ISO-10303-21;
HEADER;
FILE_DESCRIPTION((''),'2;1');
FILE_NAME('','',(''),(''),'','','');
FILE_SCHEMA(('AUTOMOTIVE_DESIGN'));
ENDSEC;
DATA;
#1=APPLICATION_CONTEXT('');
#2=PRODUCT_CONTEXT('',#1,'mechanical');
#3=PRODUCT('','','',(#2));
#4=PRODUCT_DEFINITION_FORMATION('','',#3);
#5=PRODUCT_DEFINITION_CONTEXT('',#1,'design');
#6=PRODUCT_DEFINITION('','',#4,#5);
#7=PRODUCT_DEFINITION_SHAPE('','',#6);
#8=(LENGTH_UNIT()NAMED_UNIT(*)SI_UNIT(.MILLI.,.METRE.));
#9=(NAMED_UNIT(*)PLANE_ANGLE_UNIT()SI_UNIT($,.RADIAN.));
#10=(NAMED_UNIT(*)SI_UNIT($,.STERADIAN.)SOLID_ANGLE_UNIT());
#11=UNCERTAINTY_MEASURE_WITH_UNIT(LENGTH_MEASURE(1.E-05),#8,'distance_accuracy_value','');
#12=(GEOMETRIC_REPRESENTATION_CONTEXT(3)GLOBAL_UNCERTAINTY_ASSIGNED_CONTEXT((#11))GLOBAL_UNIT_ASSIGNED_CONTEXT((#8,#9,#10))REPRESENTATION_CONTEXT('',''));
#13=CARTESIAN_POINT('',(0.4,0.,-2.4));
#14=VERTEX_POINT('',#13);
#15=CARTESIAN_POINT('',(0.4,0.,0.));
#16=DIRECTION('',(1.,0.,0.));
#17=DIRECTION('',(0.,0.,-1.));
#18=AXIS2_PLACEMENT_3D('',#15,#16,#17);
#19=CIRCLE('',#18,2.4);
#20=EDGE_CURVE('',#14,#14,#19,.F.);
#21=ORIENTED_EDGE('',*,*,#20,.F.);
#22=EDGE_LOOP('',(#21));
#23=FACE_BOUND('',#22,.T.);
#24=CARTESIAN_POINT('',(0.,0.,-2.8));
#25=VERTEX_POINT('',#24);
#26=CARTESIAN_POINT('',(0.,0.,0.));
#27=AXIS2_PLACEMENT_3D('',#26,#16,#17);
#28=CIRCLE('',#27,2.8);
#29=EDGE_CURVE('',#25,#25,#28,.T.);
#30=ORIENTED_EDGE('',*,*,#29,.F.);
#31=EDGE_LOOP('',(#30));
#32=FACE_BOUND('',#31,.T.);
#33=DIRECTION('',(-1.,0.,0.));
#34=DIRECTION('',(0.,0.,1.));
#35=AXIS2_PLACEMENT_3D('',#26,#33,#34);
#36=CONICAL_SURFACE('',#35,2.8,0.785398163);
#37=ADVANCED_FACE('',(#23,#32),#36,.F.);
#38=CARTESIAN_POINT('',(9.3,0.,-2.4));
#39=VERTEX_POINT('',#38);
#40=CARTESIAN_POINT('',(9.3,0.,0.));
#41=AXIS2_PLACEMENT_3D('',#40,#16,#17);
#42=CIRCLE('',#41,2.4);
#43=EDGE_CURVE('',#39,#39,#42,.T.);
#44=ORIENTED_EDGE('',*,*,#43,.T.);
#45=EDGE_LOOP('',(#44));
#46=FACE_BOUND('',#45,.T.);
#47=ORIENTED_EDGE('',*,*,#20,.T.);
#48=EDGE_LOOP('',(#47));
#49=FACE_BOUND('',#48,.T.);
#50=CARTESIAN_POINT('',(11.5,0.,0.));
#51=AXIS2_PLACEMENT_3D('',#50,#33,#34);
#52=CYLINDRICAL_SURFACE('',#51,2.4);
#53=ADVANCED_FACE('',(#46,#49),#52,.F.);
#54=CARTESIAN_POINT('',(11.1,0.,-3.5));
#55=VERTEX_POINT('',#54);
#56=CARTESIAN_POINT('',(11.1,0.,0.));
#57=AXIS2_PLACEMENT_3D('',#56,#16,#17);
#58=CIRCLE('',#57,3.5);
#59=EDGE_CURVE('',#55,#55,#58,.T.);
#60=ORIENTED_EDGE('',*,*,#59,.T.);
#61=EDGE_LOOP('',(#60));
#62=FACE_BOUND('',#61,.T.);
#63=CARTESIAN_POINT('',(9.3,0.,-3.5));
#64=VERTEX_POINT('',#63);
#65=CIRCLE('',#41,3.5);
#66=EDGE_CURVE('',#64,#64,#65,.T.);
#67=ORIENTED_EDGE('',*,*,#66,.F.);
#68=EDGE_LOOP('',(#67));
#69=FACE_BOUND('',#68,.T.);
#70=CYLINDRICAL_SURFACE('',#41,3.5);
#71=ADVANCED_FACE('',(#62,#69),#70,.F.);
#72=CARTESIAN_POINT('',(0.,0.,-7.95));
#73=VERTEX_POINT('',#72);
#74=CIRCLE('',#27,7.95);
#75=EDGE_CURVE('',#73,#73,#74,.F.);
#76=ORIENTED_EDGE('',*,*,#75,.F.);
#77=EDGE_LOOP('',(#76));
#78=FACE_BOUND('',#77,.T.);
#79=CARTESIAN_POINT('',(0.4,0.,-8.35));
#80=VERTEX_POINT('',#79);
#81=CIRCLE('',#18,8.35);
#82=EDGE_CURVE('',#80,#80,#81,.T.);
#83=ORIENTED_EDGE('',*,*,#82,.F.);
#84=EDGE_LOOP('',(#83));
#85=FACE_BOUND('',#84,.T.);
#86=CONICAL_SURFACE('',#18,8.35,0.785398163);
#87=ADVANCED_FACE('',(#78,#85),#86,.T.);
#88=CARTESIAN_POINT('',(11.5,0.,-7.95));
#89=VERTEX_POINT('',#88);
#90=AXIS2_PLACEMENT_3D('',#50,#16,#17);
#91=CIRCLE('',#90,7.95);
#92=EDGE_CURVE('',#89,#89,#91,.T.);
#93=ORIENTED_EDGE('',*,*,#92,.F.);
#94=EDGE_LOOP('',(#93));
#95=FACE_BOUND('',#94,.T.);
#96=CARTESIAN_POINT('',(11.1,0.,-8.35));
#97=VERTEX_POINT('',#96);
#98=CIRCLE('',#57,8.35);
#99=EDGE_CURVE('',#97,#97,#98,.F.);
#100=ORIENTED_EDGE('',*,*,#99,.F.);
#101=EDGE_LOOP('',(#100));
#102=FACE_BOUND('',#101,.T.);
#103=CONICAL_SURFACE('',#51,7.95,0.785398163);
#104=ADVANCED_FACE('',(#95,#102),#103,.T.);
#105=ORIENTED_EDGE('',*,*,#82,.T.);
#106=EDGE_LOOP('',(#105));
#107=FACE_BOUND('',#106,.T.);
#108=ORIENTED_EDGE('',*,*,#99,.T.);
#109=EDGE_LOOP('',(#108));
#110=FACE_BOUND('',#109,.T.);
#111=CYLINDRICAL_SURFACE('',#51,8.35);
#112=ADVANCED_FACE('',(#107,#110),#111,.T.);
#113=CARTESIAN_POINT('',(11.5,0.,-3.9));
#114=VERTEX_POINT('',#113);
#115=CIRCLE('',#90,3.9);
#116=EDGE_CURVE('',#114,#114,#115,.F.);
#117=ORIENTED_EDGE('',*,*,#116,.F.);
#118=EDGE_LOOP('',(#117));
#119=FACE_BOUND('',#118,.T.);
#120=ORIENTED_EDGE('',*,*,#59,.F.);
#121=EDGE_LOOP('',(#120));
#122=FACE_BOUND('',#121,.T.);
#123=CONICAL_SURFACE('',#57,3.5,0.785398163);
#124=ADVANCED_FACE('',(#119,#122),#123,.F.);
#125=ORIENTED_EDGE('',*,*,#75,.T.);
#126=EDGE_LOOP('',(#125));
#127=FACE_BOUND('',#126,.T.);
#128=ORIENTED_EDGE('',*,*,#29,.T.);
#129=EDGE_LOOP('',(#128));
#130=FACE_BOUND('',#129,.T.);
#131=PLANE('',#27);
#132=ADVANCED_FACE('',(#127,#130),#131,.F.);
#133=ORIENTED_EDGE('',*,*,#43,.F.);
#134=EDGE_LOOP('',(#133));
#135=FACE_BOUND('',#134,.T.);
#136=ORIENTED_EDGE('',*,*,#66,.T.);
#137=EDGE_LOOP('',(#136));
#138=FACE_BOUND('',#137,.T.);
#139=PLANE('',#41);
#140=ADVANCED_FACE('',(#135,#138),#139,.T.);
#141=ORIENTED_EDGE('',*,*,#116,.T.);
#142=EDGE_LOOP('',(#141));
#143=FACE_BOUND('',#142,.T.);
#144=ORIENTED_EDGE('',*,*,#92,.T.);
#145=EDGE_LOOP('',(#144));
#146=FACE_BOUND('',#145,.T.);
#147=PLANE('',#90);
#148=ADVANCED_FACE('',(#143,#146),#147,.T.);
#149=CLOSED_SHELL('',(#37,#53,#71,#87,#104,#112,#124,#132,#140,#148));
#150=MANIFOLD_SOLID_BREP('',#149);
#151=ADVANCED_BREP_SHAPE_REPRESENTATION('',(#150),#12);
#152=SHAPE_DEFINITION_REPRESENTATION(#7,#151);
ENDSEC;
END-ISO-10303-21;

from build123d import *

# Parameters (mm, degrees)
SKETCH_1_R          = 8.35
SKETCH_1_R_2        = 2.4
EXTRUDE_1_DEPTH     = 11.5
SKETCH_2_R          = 3.5
CUT_EXTRUDE_1_DEPTH = 2.2
CHAMFER_1_SIZE      = 0.4


with BuildPart() as part:
    # 草图1 → 凸台-拉伸1 (new body)
    with BuildSketch(Plane(origin=(0, 0, 0), x_dir=(0, 0, -1), z_dir=(1, 0, 0))):
        Circle(SKETCH_1_R)
        Circle(SKETCH_1_R_2, mode=Mode.SUBTRACT)
    extrude(amount=EXTRUDE_1_DEPTH)

    # 草图2 → 切除-拉伸1 (cut)
    with BuildSketch(Plane(origin=(11.5, 0, 0), x_dir=(0, 0, -1), z_dir=(1, 0, 0))):
        Circle(SKETCH_2_R)
    extrude(amount=-CUT_EXTRUDE_1_DEPTH, mode=Mode.SUBTRACT)

    # 倒角1
    chamfer_1_edges = [part.edges().sort_by_distance(p)[0] for p in [
        (11.5, 0, 3.5),
        (0, 0, 8.35),
        (11.5, 0, 8.35),
        (0, 0, 2.4),
    ]]
    chamfer(chamfer_1_edges, length=CHAMFER_1_SIZE)


solid = part.part
